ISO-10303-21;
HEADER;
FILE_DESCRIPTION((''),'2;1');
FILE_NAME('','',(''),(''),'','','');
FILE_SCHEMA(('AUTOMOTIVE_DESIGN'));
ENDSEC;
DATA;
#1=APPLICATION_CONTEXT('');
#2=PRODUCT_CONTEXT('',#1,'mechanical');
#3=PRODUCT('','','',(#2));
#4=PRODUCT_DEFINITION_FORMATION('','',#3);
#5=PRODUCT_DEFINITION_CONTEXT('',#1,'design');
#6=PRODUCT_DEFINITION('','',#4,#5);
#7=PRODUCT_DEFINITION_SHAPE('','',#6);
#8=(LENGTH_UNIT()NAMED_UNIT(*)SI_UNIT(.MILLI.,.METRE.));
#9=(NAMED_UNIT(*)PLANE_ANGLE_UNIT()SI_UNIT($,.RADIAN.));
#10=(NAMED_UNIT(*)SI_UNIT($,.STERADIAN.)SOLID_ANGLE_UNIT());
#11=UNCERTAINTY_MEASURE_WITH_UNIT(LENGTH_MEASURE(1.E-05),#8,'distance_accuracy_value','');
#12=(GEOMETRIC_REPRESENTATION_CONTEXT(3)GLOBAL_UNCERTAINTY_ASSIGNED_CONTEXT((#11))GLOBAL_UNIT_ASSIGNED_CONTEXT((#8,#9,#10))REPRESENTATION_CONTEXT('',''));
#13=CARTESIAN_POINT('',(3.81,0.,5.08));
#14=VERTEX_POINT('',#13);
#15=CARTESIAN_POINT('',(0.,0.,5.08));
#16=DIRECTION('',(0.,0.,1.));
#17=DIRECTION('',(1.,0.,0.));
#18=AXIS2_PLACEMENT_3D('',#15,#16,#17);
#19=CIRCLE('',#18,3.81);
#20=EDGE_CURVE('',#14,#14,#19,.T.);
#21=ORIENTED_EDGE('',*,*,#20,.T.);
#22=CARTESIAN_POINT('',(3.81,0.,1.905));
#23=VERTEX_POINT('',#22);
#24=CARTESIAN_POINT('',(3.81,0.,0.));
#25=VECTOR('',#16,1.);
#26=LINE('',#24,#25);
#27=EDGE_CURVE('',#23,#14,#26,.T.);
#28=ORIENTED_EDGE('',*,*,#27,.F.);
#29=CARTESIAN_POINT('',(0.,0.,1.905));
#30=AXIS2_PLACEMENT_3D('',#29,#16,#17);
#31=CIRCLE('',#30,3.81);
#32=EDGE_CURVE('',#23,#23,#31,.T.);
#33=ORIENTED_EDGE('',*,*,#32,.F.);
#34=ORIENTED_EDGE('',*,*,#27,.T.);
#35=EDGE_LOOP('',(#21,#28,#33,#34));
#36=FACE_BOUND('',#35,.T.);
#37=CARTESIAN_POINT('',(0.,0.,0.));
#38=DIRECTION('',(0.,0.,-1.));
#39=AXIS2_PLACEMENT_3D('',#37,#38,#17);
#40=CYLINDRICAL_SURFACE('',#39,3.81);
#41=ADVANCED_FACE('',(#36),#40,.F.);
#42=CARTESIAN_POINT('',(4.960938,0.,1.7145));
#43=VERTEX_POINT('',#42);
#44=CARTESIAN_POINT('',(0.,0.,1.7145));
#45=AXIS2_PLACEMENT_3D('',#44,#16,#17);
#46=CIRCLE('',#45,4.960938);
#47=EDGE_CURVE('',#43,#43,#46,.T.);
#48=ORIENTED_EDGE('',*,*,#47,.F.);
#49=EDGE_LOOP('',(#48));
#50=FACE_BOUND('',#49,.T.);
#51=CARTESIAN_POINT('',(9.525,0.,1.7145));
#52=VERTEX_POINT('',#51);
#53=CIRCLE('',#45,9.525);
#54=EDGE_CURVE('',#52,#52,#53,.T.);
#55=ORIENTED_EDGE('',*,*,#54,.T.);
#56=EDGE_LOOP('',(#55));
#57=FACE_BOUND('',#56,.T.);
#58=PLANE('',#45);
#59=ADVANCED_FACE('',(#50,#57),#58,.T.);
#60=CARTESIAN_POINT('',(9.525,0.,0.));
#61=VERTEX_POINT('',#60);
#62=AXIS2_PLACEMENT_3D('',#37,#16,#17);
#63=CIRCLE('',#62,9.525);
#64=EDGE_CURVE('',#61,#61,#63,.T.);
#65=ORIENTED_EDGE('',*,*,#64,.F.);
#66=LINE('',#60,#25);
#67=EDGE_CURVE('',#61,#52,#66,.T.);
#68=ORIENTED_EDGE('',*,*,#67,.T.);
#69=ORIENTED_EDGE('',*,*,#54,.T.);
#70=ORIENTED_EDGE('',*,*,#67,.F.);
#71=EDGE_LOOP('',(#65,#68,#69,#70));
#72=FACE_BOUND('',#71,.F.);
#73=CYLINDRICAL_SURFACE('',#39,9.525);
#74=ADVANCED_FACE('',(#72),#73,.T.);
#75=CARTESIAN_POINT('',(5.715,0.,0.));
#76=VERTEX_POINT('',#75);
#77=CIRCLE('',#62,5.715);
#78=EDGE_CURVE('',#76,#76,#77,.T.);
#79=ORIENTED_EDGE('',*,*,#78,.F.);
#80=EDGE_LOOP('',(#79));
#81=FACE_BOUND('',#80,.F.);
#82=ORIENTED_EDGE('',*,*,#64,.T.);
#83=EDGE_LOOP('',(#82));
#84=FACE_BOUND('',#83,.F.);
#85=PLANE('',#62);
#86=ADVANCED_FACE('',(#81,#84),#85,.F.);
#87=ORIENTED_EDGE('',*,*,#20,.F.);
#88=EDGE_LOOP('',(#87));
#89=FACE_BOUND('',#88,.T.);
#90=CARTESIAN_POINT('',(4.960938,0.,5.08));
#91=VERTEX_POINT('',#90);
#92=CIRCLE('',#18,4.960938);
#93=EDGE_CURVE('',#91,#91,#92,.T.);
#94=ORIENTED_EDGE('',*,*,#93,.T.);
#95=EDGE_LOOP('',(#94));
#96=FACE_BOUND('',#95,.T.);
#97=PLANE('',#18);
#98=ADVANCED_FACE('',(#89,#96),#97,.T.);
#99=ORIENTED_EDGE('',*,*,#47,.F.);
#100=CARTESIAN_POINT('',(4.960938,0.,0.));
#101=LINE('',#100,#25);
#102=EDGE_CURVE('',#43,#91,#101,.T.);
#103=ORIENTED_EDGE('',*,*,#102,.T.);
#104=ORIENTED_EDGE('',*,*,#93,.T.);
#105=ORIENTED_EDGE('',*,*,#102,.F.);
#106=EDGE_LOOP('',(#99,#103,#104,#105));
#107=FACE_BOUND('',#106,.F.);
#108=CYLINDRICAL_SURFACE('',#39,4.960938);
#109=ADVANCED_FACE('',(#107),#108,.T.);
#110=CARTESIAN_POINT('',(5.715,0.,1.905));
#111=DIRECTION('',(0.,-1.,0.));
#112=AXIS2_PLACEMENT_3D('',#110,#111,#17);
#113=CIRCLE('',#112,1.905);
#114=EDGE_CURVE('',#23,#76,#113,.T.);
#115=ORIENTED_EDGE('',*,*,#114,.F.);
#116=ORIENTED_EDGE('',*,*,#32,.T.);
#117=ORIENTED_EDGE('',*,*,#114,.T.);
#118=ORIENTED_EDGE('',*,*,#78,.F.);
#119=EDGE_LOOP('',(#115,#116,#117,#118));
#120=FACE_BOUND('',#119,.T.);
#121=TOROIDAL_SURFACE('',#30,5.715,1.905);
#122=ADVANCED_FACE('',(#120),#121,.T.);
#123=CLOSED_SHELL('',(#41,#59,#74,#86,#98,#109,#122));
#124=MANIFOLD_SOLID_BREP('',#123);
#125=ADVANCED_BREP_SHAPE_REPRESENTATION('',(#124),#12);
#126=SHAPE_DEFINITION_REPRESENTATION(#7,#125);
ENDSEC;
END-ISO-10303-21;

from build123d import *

# Parameters (mm, degrees)
F0_R     = 9.525
F0_R_2   = 4.960938
F1_DEPTH = 1.7145
F0_R_3   = 3.81
F2_DEPTH = 5.08
F3_R     = 1.905


with BuildPart() as f1:
    # F0 (on Top) → F1 (new body)
    with BuildSketch(Plane.XY):
        Circle(F0_R)
        Circle(F0_R_2, mode=Mode.SUBTRACT)
    extrude(amount=F1_DEPTH)

    # F0 (on Top) → F2 (join)
    with BuildSketch(Plane.XY):
        Circle(F0_R_2)
        Circle(F0_R_3, mode=Mode.SUBTRACT)
    extrude(amount=F2_DEPTH)

    # F3
    f3_edges = [f1.edges().sort_by_distance(p)[0] for p in [
        (-3.81, 0, 0),
    ]]
    fillet(f3_edges, radius=F3_R)


solid = f1.part
